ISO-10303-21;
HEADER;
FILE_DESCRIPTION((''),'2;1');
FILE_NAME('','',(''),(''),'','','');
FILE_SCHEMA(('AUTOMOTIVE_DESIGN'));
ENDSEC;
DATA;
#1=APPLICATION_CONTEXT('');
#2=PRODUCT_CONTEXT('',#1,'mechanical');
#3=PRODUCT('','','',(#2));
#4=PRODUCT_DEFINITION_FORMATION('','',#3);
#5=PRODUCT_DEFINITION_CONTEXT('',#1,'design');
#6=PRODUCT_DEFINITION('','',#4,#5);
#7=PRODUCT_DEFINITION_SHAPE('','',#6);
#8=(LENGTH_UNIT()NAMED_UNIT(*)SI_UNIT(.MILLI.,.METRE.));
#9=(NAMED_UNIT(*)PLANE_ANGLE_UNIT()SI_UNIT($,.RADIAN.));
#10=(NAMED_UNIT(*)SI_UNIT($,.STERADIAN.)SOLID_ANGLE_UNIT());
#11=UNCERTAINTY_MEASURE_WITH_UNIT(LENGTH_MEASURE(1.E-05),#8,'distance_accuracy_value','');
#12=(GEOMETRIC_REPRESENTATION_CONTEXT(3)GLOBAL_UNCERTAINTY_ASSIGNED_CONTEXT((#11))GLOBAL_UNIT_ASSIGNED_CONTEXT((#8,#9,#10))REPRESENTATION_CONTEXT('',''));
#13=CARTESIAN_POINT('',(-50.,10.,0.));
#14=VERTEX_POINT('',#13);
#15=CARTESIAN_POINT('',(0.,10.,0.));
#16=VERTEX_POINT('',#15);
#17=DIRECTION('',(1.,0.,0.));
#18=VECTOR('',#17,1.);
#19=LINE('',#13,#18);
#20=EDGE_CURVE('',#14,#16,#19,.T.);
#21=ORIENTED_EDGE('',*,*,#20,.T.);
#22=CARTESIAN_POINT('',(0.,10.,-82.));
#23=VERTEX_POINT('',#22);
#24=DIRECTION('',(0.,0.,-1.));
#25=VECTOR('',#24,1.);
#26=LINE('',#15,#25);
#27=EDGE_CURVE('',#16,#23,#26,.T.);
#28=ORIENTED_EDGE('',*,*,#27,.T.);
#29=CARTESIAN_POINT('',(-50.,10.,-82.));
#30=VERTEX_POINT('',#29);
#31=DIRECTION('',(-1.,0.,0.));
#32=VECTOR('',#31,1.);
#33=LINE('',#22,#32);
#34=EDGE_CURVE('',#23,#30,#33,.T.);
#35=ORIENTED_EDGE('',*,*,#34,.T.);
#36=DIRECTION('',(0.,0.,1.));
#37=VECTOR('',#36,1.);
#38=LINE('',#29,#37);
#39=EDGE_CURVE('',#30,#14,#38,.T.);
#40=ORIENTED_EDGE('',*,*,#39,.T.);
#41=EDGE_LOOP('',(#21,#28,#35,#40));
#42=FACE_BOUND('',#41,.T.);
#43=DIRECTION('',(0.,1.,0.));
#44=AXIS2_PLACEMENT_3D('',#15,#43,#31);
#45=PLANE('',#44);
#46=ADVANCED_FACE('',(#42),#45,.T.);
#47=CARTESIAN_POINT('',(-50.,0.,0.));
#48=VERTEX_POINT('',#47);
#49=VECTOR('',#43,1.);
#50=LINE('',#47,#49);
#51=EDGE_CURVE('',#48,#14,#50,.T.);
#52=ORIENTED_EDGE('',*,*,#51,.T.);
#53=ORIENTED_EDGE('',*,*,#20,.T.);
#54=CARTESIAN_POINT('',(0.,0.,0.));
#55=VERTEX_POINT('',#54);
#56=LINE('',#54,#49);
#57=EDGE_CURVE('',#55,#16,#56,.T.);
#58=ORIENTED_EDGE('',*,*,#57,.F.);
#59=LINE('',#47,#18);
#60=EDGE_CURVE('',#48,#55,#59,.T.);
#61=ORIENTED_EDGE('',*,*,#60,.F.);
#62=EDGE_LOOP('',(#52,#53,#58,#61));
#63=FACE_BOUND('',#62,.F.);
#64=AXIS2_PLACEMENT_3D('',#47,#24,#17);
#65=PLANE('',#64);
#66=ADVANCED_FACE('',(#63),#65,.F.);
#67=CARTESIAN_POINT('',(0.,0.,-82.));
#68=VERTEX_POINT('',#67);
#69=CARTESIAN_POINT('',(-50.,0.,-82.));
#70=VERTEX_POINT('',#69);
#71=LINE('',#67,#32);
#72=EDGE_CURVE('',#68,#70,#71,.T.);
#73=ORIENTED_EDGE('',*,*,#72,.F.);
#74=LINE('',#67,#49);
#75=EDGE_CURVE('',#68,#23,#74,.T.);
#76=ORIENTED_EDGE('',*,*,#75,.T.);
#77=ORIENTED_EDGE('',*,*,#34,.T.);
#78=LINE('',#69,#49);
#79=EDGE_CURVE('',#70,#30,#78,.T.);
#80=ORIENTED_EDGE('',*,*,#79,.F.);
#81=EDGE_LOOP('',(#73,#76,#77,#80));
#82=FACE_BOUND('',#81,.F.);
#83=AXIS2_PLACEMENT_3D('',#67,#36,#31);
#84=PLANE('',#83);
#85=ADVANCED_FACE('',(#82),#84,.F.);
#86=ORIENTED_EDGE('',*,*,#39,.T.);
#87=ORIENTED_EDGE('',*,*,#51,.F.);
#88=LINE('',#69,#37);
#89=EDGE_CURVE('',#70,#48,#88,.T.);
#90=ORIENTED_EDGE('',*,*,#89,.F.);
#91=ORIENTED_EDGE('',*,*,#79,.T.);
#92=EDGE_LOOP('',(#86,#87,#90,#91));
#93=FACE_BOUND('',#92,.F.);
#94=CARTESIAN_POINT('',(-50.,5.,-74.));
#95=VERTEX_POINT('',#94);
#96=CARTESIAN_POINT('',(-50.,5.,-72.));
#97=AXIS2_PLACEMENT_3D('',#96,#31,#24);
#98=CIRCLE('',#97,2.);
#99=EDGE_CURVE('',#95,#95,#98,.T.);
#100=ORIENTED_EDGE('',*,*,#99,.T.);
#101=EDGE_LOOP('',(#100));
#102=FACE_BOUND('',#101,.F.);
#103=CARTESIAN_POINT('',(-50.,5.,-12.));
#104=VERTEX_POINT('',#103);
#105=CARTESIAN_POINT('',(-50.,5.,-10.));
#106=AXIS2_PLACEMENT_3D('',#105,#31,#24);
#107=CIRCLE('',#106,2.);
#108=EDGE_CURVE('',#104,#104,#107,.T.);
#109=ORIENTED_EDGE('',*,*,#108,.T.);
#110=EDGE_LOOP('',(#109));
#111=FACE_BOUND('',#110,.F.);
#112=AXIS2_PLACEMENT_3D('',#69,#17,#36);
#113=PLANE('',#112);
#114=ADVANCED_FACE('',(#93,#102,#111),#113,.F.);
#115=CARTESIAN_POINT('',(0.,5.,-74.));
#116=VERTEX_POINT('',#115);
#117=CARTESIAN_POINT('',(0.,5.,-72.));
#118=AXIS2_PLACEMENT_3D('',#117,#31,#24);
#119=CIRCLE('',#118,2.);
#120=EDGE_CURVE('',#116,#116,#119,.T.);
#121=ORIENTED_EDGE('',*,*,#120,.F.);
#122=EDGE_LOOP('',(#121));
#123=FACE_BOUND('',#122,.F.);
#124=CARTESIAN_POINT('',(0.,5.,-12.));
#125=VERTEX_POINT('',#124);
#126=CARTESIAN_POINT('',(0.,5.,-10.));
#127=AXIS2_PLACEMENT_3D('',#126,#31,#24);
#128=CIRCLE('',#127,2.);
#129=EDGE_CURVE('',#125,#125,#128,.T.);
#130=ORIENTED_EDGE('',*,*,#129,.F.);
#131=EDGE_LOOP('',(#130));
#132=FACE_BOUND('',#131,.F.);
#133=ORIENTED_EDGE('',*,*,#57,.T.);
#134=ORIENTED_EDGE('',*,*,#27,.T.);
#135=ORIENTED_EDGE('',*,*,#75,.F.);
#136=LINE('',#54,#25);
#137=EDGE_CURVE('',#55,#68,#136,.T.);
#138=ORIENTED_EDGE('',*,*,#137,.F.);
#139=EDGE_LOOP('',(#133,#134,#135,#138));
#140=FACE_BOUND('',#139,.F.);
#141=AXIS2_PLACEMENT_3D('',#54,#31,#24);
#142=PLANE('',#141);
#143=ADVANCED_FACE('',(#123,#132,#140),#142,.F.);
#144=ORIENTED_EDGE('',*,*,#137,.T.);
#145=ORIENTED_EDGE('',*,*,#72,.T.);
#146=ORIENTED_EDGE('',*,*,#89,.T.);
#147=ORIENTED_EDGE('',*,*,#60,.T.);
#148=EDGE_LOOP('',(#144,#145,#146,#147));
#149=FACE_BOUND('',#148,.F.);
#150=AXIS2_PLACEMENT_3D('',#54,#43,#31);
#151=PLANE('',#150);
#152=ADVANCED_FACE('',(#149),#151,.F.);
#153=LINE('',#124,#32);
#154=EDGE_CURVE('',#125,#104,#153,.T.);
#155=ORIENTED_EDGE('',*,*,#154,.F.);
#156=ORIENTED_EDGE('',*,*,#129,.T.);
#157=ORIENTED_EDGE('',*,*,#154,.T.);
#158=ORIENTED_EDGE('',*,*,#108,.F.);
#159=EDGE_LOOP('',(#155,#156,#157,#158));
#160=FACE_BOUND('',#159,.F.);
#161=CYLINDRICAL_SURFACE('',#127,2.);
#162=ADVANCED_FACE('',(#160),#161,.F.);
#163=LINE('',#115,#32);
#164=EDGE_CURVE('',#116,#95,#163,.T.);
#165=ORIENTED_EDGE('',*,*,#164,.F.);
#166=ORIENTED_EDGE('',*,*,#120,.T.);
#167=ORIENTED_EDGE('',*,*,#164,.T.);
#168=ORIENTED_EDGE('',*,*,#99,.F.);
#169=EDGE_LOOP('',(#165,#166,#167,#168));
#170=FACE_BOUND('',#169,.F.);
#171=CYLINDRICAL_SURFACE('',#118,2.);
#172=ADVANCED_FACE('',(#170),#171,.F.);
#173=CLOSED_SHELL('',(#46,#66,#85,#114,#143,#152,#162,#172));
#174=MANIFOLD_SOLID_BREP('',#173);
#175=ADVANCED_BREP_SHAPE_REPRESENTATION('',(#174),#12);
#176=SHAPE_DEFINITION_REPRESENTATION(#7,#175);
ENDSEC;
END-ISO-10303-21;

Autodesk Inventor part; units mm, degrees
ref_plane "YZ Plane" through (0, 0, 0) normal (1, 0, 0) x (0, 1, 0)
ref_plane "XZ Plane" through (0, 0, 0) normal (0, 1, 0) x (-1, 0, 0)
ref_plane "XY Plane" through (0, 0, 0) normal (0, 0, 1) x (1, 0, 0)
sketch "Esquisse1" plane through (0, 0, 0) normal (0, 1, 0) x (-1, 0, 0)
  line L0 (50, 0) -> (0, 0)
  line L1 (0, 0) -> (0, -82)
  line L2 (0, -82) -> (50, -82)
  line L3 (50, -82) -> (50, 0)
  point P0 (0, 0)
  dimension "d0" = 0
  dimension "d1" = 0
  dimension "d2" = 50
  dimension "d3" = 82
extrude "Extrusion1" add sketch "Esquisse1" along normal blind 10
sketch "Esquisse2" plane through (-50, 0, 0) normal (0, 0, 1) x (1, 0, 0)
  point P0 (50, 0)
sketch "Esquisse3" plane through (0, 0, 0) normal (1, 0, 0) x (0, 0, -1)
  line L0 (10, 5) -> (72, 5)
  line L1 (0, 0) -> (0, 10) projected
  circle A0 centre (10, 5) radius 2
  circle A1 centre (72, 5) radius 2
  line L2 (0, 10) -> (82, 10) projected
  dimension "d7" = 62
  dimension "d8" = 10
  dimension "d9" = 4
  dimension "d10" = 4
  dimension "d11" = 5
hole "Perçage1" at (0, 5, -10) at (0, 5, -72) direction (-1, 0, 0) diameter 4 end through all
properties part number "spacermoteur"
